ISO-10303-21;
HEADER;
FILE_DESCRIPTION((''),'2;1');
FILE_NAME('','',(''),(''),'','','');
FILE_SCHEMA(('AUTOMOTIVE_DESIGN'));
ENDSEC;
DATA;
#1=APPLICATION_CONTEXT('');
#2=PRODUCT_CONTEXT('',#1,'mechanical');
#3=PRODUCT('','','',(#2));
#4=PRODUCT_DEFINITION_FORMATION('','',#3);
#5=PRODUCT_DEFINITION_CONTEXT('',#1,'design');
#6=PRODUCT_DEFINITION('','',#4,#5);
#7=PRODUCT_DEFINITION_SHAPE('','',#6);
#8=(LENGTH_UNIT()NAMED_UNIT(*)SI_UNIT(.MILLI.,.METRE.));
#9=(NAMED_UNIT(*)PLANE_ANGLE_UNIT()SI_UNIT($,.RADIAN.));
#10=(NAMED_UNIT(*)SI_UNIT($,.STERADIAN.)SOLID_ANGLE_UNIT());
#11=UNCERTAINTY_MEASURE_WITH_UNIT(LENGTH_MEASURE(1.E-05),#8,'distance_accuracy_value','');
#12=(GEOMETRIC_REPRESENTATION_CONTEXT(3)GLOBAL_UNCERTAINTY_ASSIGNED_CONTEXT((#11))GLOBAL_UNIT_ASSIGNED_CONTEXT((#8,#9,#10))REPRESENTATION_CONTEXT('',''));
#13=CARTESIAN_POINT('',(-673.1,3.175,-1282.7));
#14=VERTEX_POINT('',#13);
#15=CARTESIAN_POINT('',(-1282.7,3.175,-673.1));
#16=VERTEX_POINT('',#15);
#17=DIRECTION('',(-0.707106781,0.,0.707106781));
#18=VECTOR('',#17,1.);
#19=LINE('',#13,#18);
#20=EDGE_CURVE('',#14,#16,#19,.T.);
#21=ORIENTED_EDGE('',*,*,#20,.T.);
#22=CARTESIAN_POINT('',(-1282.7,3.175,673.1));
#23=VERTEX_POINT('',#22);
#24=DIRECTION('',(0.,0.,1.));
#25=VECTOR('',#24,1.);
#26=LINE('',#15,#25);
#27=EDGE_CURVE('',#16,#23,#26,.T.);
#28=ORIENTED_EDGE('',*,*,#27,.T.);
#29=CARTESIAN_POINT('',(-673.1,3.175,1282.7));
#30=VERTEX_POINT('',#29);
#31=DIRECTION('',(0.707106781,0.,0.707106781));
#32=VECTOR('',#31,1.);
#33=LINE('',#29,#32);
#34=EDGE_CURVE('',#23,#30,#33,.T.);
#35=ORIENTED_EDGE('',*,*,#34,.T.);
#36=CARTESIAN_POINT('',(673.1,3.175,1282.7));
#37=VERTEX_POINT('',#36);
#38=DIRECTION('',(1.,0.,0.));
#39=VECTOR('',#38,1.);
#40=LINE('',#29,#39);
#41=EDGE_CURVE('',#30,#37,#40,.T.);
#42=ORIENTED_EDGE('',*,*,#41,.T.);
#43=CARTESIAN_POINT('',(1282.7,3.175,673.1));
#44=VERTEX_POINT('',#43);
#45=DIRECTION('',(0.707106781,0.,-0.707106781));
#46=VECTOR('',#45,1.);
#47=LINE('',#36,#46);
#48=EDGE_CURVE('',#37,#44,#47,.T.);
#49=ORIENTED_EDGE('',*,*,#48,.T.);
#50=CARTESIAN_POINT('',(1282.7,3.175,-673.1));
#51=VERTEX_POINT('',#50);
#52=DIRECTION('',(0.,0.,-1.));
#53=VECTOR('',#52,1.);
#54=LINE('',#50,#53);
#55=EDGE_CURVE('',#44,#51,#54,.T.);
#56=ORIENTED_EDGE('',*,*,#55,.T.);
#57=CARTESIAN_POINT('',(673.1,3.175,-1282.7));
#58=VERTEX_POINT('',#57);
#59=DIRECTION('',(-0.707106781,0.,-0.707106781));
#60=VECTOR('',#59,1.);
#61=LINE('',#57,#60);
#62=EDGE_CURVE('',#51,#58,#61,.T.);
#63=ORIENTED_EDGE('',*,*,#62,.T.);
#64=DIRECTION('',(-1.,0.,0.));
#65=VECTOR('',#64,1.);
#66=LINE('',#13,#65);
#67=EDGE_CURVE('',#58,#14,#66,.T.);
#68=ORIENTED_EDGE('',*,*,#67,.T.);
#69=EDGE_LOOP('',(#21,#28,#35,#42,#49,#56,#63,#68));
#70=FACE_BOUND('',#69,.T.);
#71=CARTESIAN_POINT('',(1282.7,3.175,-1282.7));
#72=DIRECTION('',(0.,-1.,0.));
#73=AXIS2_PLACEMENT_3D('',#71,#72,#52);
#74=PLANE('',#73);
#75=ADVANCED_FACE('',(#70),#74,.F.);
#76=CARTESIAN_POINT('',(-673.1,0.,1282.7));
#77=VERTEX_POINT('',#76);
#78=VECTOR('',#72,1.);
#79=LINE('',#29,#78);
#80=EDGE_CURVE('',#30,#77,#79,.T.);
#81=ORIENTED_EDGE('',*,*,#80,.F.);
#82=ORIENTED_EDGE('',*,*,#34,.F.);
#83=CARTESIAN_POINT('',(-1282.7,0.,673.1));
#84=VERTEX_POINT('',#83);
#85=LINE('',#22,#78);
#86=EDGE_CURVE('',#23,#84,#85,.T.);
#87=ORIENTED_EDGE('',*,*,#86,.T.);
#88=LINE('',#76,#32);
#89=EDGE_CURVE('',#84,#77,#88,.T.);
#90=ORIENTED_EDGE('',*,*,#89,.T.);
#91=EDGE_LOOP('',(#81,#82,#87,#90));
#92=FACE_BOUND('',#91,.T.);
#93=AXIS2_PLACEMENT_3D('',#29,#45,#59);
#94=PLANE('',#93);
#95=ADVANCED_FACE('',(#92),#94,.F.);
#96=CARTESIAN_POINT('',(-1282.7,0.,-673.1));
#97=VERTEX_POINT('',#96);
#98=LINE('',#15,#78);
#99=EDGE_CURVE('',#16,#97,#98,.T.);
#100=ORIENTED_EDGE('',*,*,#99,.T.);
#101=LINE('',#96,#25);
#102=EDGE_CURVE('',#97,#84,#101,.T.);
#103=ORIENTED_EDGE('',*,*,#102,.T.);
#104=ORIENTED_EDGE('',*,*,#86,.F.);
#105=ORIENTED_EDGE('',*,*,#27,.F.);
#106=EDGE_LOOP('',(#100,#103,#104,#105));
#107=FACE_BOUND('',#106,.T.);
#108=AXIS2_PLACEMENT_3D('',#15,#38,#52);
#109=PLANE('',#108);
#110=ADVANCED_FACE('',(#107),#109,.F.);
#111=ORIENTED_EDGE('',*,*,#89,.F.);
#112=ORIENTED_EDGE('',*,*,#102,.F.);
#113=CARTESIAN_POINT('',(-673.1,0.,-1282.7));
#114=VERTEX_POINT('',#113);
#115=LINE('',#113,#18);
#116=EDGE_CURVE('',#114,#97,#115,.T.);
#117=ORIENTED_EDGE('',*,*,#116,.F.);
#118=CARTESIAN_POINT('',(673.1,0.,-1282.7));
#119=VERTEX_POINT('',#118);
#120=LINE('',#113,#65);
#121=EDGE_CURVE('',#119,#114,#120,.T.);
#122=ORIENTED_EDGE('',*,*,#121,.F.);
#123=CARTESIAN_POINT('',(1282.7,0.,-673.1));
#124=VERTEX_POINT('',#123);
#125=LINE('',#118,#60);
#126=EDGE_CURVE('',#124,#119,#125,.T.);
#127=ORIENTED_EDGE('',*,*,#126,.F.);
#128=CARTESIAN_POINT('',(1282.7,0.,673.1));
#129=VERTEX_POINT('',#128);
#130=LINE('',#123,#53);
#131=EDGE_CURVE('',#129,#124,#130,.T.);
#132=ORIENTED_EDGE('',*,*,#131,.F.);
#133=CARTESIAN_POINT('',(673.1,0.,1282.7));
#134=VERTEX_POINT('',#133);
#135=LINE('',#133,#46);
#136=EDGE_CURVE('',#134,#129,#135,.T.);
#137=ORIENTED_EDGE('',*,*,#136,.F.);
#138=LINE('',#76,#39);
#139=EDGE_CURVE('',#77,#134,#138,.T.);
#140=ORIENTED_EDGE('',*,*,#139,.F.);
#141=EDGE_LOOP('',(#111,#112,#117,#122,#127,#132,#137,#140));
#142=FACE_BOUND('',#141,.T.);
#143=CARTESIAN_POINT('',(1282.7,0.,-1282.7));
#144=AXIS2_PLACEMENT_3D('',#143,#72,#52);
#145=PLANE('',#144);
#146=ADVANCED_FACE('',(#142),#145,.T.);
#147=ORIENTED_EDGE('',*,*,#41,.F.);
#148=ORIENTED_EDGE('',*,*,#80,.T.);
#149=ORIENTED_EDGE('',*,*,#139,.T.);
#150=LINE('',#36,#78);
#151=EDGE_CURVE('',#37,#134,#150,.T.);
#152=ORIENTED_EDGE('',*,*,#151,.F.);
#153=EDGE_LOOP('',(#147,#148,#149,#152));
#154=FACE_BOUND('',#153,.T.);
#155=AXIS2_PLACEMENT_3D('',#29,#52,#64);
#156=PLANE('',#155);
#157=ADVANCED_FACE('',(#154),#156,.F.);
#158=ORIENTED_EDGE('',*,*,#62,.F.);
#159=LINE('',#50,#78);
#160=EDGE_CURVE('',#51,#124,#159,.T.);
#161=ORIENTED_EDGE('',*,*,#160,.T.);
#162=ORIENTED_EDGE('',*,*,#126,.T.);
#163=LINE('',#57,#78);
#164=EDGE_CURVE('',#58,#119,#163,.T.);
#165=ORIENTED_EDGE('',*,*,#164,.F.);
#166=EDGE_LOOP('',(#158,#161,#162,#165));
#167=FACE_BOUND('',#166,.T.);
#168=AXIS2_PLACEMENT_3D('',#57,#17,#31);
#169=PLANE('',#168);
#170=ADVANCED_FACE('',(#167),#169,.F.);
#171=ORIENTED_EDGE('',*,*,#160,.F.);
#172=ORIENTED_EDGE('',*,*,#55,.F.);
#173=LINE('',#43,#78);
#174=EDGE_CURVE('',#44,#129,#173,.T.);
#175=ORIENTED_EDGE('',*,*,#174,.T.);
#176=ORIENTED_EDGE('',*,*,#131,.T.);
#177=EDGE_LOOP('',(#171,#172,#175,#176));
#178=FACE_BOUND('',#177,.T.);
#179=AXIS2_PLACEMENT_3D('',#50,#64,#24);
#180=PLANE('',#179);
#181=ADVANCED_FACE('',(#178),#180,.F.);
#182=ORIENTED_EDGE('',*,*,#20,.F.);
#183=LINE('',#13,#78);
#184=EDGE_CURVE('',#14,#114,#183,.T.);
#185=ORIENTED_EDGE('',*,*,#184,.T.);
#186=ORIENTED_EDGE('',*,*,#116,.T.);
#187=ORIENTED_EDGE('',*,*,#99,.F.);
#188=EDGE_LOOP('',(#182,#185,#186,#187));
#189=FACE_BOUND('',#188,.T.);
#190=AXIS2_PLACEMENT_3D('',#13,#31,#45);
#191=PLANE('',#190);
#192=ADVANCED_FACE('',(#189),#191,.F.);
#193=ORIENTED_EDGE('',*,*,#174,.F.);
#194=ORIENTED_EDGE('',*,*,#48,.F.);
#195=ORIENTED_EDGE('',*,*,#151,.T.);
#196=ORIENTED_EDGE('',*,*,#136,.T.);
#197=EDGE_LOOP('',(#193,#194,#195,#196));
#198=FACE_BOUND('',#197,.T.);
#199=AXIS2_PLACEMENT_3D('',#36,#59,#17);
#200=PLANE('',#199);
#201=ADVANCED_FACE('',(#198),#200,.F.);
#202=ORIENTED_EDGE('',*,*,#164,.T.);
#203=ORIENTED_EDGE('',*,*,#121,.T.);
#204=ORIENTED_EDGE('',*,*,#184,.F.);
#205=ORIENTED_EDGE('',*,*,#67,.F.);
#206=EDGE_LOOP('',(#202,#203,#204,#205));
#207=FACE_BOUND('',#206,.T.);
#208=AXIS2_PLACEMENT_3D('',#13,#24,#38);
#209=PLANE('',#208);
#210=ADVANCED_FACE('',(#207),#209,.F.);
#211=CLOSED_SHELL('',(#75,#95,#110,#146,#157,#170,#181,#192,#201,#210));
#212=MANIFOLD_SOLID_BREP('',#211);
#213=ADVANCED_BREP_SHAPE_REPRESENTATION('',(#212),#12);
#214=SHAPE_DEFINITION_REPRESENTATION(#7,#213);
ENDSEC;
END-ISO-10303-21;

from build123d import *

# Parameters (mm, degrees)
EXTRUDE1_DEPTH = 3.175


with BuildPart() as part:
    # Sketch1 → Extrude1 (new body)
    with BuildSketch(Plane(origin=(0, 0, 0), x_dir=(1, 0, 0), z_dir=(0, 1, 0))):
        Polygon((-673.1, 1282.7), (-1282.7, 673.1), (-1282.7, -673.1), (-673.1, -1282.7), (673.1, -1282.7), (1282.7, -673.1), (1282.7, 673.1), (673.1, 1282.7), align=None)
    extrude(amount=EXTRUDE1_DEPTH)


solid = part.part
